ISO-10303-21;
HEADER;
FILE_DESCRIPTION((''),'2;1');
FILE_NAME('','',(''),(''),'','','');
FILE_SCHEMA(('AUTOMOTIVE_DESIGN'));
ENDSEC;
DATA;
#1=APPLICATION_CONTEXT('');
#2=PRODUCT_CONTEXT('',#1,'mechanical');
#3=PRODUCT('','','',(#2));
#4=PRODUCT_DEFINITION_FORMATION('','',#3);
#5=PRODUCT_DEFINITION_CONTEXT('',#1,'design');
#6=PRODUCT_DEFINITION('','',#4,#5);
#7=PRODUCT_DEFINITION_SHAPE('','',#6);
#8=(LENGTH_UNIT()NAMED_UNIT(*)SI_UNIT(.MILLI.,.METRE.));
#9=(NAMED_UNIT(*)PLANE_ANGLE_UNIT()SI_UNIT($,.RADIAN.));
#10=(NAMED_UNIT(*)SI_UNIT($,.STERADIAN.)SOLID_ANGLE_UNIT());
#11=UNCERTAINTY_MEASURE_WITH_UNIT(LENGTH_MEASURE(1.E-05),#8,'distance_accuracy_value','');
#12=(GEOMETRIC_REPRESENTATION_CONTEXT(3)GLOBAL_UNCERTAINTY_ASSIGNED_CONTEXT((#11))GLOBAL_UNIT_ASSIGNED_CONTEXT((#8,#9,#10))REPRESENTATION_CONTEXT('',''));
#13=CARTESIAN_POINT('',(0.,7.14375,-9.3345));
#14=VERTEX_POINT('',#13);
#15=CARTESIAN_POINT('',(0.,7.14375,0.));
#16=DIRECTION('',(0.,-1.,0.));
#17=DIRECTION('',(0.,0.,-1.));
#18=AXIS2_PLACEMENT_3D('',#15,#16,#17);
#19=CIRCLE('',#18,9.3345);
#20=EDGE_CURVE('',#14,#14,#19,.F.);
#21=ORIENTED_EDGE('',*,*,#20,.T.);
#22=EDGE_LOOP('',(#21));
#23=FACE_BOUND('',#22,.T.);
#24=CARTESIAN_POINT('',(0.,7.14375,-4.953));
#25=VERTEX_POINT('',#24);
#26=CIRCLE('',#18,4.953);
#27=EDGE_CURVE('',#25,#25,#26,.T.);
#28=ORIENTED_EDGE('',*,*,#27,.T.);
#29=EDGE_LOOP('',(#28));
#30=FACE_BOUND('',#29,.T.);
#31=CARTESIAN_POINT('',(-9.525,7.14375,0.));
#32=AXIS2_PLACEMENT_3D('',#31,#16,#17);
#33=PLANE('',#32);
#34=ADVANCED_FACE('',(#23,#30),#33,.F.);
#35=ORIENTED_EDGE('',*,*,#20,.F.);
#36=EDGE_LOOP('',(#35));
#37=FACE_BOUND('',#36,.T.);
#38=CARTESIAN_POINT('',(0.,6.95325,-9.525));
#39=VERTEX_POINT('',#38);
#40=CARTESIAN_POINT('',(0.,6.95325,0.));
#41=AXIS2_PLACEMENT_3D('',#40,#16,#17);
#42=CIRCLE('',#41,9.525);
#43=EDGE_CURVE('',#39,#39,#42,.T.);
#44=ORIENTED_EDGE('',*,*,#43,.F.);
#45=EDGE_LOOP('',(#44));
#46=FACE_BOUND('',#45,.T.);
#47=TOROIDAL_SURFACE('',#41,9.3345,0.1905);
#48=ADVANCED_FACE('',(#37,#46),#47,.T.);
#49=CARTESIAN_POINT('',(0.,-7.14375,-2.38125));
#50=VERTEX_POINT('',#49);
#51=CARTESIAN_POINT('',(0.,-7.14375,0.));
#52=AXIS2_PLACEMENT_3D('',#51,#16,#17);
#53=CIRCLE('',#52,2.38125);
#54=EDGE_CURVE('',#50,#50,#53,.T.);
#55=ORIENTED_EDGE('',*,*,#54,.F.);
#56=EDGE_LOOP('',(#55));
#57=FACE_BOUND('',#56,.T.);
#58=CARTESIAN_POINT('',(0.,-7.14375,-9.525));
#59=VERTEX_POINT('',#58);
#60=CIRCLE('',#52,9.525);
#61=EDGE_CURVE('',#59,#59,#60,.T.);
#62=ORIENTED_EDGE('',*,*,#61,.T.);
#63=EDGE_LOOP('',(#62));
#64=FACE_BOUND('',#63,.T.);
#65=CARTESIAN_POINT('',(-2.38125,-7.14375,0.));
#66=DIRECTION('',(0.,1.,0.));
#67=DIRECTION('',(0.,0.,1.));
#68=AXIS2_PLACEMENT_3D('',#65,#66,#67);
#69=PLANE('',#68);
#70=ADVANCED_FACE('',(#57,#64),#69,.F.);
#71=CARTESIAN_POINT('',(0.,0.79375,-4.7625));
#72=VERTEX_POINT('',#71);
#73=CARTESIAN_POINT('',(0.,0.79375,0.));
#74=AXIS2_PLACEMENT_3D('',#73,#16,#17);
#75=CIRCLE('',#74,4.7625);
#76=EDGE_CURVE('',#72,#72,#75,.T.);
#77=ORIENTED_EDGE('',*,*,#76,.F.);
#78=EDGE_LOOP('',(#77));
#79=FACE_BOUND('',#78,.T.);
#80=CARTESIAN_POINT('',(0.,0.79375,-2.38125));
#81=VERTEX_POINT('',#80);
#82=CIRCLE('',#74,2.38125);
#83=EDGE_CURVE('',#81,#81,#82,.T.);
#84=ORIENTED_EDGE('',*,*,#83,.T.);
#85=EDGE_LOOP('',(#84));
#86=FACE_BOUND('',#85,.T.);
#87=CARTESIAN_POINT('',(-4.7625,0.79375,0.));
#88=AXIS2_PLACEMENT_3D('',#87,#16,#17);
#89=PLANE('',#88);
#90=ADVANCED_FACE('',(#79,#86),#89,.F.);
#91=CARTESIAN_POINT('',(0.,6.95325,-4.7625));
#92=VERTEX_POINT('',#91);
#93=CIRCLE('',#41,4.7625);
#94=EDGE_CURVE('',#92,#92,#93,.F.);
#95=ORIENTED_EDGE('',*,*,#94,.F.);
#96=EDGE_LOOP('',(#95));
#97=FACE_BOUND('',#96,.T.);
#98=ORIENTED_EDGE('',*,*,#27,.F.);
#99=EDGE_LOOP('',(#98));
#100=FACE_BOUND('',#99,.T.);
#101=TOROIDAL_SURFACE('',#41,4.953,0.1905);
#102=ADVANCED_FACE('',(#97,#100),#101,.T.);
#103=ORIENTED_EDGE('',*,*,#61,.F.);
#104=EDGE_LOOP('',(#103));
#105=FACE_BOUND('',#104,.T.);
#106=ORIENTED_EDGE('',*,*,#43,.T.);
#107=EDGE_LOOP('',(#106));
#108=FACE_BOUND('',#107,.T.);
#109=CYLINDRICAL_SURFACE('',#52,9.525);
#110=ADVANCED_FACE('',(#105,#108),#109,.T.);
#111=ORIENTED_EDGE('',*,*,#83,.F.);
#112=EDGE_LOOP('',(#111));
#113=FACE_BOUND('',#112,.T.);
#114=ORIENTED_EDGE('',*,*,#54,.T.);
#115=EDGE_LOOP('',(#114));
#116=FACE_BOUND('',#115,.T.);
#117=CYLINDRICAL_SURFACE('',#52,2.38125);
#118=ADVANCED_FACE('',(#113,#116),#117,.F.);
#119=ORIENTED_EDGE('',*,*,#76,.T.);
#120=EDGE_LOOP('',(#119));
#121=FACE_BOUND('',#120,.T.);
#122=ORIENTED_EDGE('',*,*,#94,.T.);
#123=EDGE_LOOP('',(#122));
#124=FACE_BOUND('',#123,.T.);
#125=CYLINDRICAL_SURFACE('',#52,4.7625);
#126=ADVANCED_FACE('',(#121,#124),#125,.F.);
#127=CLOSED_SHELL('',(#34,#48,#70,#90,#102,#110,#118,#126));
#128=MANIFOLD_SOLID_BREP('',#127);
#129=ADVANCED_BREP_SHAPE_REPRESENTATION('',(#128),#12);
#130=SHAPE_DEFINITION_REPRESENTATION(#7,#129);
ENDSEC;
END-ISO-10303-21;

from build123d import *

# Parameters (mm, degrees)
FILLET1_R = 0.1905
FILLET2_R = 0.1905


with BuildPart() as part:
    # Sketch2 → Revolve1 (revolve)
    with BuildSketch(Plane.XY, mode=Mode.PRIVATE) as revolve1_sk:
        Polygon((-9.525, -7.14375), (-9.525, 7.14375), (-4.7625, 7.14375), (-4.7625, 0.79375), (-2.38125, 0.79375), (-2.38125, -7.14375), align=None)
    revolve(revolve1_sk.sketch.rotate(Axis((0, -7.14375, 0), (0, 1, 0)), 270), axis=Axis((0, -7.14375, 0), (0, 1, 0)))

    # Fillet1
    fillet1_edges = [part.edges().sort_by_distance(p)[0] for p in [
        (0, 7.14375, 4.7625),
    ]]
    fillet(fillet1_edges, radius=FILLET1_R)

    # Fillet2
    fillet2_edges = [part.edges().sort_by_distance(p)[0] for p in [
        (0, 7.14375, 9.525),
    ]]
    fillet(fillet2_edges, radius=FILLET2_R)


solid = part.part
